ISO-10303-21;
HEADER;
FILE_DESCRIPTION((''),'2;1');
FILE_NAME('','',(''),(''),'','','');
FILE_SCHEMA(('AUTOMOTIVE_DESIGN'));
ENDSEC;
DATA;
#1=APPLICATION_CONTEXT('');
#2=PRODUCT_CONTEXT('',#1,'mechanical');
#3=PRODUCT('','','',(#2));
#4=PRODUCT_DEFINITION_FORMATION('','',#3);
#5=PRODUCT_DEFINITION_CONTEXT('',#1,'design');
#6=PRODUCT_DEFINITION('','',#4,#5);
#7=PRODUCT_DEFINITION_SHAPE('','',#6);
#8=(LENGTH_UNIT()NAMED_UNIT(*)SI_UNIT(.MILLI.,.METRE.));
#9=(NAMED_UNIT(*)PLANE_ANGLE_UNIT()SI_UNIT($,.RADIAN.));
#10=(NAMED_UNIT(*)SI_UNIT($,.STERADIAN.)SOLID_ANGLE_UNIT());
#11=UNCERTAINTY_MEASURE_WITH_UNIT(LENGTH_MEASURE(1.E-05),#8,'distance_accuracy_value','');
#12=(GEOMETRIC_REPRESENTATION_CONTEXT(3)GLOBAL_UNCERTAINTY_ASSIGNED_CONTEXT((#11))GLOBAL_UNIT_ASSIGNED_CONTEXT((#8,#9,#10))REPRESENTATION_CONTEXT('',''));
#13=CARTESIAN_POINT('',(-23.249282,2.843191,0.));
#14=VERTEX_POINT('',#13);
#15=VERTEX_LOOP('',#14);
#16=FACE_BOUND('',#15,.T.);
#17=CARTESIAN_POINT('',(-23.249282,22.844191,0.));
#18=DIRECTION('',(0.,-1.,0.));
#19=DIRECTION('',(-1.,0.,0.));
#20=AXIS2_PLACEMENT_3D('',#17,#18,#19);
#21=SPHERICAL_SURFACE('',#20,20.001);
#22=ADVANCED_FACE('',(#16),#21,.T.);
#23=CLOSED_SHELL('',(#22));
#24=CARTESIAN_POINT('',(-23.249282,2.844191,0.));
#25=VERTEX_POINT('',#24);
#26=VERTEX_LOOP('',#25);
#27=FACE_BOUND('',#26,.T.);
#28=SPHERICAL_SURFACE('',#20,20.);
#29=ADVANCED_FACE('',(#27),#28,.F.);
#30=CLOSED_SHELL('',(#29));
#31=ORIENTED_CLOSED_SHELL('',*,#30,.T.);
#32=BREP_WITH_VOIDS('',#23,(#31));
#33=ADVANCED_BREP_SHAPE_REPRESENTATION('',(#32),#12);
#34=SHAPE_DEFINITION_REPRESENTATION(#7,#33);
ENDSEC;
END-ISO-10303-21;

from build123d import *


with BuildPart() as part:
    # Esquisse1 → Révol.-Mince1 (revolve)
    with BuildSketch(Plane.XY):
        with BuildLine():
            ThreePointArc((-23.249281795, 2.844190871), (-3.249281795, 22.844190871), (-23.249281795, 42.844190871))
            Line((-23.249281795, 42.844190871), (-23.249281795, 42.845190871))
            ThreePointArc((-23.249281795, 42.845190871), (-3.248281795, 22.844190871), (-23.249281795, 2.843190871))
            Line((-23.249281795, 2.843190871), (-23.249281795, 2.844190871))
        make_face()
    revolve(axis=Axis((-23.249281795, 2.844190871, 0), (0, 1, 0)))


solid = part.part
